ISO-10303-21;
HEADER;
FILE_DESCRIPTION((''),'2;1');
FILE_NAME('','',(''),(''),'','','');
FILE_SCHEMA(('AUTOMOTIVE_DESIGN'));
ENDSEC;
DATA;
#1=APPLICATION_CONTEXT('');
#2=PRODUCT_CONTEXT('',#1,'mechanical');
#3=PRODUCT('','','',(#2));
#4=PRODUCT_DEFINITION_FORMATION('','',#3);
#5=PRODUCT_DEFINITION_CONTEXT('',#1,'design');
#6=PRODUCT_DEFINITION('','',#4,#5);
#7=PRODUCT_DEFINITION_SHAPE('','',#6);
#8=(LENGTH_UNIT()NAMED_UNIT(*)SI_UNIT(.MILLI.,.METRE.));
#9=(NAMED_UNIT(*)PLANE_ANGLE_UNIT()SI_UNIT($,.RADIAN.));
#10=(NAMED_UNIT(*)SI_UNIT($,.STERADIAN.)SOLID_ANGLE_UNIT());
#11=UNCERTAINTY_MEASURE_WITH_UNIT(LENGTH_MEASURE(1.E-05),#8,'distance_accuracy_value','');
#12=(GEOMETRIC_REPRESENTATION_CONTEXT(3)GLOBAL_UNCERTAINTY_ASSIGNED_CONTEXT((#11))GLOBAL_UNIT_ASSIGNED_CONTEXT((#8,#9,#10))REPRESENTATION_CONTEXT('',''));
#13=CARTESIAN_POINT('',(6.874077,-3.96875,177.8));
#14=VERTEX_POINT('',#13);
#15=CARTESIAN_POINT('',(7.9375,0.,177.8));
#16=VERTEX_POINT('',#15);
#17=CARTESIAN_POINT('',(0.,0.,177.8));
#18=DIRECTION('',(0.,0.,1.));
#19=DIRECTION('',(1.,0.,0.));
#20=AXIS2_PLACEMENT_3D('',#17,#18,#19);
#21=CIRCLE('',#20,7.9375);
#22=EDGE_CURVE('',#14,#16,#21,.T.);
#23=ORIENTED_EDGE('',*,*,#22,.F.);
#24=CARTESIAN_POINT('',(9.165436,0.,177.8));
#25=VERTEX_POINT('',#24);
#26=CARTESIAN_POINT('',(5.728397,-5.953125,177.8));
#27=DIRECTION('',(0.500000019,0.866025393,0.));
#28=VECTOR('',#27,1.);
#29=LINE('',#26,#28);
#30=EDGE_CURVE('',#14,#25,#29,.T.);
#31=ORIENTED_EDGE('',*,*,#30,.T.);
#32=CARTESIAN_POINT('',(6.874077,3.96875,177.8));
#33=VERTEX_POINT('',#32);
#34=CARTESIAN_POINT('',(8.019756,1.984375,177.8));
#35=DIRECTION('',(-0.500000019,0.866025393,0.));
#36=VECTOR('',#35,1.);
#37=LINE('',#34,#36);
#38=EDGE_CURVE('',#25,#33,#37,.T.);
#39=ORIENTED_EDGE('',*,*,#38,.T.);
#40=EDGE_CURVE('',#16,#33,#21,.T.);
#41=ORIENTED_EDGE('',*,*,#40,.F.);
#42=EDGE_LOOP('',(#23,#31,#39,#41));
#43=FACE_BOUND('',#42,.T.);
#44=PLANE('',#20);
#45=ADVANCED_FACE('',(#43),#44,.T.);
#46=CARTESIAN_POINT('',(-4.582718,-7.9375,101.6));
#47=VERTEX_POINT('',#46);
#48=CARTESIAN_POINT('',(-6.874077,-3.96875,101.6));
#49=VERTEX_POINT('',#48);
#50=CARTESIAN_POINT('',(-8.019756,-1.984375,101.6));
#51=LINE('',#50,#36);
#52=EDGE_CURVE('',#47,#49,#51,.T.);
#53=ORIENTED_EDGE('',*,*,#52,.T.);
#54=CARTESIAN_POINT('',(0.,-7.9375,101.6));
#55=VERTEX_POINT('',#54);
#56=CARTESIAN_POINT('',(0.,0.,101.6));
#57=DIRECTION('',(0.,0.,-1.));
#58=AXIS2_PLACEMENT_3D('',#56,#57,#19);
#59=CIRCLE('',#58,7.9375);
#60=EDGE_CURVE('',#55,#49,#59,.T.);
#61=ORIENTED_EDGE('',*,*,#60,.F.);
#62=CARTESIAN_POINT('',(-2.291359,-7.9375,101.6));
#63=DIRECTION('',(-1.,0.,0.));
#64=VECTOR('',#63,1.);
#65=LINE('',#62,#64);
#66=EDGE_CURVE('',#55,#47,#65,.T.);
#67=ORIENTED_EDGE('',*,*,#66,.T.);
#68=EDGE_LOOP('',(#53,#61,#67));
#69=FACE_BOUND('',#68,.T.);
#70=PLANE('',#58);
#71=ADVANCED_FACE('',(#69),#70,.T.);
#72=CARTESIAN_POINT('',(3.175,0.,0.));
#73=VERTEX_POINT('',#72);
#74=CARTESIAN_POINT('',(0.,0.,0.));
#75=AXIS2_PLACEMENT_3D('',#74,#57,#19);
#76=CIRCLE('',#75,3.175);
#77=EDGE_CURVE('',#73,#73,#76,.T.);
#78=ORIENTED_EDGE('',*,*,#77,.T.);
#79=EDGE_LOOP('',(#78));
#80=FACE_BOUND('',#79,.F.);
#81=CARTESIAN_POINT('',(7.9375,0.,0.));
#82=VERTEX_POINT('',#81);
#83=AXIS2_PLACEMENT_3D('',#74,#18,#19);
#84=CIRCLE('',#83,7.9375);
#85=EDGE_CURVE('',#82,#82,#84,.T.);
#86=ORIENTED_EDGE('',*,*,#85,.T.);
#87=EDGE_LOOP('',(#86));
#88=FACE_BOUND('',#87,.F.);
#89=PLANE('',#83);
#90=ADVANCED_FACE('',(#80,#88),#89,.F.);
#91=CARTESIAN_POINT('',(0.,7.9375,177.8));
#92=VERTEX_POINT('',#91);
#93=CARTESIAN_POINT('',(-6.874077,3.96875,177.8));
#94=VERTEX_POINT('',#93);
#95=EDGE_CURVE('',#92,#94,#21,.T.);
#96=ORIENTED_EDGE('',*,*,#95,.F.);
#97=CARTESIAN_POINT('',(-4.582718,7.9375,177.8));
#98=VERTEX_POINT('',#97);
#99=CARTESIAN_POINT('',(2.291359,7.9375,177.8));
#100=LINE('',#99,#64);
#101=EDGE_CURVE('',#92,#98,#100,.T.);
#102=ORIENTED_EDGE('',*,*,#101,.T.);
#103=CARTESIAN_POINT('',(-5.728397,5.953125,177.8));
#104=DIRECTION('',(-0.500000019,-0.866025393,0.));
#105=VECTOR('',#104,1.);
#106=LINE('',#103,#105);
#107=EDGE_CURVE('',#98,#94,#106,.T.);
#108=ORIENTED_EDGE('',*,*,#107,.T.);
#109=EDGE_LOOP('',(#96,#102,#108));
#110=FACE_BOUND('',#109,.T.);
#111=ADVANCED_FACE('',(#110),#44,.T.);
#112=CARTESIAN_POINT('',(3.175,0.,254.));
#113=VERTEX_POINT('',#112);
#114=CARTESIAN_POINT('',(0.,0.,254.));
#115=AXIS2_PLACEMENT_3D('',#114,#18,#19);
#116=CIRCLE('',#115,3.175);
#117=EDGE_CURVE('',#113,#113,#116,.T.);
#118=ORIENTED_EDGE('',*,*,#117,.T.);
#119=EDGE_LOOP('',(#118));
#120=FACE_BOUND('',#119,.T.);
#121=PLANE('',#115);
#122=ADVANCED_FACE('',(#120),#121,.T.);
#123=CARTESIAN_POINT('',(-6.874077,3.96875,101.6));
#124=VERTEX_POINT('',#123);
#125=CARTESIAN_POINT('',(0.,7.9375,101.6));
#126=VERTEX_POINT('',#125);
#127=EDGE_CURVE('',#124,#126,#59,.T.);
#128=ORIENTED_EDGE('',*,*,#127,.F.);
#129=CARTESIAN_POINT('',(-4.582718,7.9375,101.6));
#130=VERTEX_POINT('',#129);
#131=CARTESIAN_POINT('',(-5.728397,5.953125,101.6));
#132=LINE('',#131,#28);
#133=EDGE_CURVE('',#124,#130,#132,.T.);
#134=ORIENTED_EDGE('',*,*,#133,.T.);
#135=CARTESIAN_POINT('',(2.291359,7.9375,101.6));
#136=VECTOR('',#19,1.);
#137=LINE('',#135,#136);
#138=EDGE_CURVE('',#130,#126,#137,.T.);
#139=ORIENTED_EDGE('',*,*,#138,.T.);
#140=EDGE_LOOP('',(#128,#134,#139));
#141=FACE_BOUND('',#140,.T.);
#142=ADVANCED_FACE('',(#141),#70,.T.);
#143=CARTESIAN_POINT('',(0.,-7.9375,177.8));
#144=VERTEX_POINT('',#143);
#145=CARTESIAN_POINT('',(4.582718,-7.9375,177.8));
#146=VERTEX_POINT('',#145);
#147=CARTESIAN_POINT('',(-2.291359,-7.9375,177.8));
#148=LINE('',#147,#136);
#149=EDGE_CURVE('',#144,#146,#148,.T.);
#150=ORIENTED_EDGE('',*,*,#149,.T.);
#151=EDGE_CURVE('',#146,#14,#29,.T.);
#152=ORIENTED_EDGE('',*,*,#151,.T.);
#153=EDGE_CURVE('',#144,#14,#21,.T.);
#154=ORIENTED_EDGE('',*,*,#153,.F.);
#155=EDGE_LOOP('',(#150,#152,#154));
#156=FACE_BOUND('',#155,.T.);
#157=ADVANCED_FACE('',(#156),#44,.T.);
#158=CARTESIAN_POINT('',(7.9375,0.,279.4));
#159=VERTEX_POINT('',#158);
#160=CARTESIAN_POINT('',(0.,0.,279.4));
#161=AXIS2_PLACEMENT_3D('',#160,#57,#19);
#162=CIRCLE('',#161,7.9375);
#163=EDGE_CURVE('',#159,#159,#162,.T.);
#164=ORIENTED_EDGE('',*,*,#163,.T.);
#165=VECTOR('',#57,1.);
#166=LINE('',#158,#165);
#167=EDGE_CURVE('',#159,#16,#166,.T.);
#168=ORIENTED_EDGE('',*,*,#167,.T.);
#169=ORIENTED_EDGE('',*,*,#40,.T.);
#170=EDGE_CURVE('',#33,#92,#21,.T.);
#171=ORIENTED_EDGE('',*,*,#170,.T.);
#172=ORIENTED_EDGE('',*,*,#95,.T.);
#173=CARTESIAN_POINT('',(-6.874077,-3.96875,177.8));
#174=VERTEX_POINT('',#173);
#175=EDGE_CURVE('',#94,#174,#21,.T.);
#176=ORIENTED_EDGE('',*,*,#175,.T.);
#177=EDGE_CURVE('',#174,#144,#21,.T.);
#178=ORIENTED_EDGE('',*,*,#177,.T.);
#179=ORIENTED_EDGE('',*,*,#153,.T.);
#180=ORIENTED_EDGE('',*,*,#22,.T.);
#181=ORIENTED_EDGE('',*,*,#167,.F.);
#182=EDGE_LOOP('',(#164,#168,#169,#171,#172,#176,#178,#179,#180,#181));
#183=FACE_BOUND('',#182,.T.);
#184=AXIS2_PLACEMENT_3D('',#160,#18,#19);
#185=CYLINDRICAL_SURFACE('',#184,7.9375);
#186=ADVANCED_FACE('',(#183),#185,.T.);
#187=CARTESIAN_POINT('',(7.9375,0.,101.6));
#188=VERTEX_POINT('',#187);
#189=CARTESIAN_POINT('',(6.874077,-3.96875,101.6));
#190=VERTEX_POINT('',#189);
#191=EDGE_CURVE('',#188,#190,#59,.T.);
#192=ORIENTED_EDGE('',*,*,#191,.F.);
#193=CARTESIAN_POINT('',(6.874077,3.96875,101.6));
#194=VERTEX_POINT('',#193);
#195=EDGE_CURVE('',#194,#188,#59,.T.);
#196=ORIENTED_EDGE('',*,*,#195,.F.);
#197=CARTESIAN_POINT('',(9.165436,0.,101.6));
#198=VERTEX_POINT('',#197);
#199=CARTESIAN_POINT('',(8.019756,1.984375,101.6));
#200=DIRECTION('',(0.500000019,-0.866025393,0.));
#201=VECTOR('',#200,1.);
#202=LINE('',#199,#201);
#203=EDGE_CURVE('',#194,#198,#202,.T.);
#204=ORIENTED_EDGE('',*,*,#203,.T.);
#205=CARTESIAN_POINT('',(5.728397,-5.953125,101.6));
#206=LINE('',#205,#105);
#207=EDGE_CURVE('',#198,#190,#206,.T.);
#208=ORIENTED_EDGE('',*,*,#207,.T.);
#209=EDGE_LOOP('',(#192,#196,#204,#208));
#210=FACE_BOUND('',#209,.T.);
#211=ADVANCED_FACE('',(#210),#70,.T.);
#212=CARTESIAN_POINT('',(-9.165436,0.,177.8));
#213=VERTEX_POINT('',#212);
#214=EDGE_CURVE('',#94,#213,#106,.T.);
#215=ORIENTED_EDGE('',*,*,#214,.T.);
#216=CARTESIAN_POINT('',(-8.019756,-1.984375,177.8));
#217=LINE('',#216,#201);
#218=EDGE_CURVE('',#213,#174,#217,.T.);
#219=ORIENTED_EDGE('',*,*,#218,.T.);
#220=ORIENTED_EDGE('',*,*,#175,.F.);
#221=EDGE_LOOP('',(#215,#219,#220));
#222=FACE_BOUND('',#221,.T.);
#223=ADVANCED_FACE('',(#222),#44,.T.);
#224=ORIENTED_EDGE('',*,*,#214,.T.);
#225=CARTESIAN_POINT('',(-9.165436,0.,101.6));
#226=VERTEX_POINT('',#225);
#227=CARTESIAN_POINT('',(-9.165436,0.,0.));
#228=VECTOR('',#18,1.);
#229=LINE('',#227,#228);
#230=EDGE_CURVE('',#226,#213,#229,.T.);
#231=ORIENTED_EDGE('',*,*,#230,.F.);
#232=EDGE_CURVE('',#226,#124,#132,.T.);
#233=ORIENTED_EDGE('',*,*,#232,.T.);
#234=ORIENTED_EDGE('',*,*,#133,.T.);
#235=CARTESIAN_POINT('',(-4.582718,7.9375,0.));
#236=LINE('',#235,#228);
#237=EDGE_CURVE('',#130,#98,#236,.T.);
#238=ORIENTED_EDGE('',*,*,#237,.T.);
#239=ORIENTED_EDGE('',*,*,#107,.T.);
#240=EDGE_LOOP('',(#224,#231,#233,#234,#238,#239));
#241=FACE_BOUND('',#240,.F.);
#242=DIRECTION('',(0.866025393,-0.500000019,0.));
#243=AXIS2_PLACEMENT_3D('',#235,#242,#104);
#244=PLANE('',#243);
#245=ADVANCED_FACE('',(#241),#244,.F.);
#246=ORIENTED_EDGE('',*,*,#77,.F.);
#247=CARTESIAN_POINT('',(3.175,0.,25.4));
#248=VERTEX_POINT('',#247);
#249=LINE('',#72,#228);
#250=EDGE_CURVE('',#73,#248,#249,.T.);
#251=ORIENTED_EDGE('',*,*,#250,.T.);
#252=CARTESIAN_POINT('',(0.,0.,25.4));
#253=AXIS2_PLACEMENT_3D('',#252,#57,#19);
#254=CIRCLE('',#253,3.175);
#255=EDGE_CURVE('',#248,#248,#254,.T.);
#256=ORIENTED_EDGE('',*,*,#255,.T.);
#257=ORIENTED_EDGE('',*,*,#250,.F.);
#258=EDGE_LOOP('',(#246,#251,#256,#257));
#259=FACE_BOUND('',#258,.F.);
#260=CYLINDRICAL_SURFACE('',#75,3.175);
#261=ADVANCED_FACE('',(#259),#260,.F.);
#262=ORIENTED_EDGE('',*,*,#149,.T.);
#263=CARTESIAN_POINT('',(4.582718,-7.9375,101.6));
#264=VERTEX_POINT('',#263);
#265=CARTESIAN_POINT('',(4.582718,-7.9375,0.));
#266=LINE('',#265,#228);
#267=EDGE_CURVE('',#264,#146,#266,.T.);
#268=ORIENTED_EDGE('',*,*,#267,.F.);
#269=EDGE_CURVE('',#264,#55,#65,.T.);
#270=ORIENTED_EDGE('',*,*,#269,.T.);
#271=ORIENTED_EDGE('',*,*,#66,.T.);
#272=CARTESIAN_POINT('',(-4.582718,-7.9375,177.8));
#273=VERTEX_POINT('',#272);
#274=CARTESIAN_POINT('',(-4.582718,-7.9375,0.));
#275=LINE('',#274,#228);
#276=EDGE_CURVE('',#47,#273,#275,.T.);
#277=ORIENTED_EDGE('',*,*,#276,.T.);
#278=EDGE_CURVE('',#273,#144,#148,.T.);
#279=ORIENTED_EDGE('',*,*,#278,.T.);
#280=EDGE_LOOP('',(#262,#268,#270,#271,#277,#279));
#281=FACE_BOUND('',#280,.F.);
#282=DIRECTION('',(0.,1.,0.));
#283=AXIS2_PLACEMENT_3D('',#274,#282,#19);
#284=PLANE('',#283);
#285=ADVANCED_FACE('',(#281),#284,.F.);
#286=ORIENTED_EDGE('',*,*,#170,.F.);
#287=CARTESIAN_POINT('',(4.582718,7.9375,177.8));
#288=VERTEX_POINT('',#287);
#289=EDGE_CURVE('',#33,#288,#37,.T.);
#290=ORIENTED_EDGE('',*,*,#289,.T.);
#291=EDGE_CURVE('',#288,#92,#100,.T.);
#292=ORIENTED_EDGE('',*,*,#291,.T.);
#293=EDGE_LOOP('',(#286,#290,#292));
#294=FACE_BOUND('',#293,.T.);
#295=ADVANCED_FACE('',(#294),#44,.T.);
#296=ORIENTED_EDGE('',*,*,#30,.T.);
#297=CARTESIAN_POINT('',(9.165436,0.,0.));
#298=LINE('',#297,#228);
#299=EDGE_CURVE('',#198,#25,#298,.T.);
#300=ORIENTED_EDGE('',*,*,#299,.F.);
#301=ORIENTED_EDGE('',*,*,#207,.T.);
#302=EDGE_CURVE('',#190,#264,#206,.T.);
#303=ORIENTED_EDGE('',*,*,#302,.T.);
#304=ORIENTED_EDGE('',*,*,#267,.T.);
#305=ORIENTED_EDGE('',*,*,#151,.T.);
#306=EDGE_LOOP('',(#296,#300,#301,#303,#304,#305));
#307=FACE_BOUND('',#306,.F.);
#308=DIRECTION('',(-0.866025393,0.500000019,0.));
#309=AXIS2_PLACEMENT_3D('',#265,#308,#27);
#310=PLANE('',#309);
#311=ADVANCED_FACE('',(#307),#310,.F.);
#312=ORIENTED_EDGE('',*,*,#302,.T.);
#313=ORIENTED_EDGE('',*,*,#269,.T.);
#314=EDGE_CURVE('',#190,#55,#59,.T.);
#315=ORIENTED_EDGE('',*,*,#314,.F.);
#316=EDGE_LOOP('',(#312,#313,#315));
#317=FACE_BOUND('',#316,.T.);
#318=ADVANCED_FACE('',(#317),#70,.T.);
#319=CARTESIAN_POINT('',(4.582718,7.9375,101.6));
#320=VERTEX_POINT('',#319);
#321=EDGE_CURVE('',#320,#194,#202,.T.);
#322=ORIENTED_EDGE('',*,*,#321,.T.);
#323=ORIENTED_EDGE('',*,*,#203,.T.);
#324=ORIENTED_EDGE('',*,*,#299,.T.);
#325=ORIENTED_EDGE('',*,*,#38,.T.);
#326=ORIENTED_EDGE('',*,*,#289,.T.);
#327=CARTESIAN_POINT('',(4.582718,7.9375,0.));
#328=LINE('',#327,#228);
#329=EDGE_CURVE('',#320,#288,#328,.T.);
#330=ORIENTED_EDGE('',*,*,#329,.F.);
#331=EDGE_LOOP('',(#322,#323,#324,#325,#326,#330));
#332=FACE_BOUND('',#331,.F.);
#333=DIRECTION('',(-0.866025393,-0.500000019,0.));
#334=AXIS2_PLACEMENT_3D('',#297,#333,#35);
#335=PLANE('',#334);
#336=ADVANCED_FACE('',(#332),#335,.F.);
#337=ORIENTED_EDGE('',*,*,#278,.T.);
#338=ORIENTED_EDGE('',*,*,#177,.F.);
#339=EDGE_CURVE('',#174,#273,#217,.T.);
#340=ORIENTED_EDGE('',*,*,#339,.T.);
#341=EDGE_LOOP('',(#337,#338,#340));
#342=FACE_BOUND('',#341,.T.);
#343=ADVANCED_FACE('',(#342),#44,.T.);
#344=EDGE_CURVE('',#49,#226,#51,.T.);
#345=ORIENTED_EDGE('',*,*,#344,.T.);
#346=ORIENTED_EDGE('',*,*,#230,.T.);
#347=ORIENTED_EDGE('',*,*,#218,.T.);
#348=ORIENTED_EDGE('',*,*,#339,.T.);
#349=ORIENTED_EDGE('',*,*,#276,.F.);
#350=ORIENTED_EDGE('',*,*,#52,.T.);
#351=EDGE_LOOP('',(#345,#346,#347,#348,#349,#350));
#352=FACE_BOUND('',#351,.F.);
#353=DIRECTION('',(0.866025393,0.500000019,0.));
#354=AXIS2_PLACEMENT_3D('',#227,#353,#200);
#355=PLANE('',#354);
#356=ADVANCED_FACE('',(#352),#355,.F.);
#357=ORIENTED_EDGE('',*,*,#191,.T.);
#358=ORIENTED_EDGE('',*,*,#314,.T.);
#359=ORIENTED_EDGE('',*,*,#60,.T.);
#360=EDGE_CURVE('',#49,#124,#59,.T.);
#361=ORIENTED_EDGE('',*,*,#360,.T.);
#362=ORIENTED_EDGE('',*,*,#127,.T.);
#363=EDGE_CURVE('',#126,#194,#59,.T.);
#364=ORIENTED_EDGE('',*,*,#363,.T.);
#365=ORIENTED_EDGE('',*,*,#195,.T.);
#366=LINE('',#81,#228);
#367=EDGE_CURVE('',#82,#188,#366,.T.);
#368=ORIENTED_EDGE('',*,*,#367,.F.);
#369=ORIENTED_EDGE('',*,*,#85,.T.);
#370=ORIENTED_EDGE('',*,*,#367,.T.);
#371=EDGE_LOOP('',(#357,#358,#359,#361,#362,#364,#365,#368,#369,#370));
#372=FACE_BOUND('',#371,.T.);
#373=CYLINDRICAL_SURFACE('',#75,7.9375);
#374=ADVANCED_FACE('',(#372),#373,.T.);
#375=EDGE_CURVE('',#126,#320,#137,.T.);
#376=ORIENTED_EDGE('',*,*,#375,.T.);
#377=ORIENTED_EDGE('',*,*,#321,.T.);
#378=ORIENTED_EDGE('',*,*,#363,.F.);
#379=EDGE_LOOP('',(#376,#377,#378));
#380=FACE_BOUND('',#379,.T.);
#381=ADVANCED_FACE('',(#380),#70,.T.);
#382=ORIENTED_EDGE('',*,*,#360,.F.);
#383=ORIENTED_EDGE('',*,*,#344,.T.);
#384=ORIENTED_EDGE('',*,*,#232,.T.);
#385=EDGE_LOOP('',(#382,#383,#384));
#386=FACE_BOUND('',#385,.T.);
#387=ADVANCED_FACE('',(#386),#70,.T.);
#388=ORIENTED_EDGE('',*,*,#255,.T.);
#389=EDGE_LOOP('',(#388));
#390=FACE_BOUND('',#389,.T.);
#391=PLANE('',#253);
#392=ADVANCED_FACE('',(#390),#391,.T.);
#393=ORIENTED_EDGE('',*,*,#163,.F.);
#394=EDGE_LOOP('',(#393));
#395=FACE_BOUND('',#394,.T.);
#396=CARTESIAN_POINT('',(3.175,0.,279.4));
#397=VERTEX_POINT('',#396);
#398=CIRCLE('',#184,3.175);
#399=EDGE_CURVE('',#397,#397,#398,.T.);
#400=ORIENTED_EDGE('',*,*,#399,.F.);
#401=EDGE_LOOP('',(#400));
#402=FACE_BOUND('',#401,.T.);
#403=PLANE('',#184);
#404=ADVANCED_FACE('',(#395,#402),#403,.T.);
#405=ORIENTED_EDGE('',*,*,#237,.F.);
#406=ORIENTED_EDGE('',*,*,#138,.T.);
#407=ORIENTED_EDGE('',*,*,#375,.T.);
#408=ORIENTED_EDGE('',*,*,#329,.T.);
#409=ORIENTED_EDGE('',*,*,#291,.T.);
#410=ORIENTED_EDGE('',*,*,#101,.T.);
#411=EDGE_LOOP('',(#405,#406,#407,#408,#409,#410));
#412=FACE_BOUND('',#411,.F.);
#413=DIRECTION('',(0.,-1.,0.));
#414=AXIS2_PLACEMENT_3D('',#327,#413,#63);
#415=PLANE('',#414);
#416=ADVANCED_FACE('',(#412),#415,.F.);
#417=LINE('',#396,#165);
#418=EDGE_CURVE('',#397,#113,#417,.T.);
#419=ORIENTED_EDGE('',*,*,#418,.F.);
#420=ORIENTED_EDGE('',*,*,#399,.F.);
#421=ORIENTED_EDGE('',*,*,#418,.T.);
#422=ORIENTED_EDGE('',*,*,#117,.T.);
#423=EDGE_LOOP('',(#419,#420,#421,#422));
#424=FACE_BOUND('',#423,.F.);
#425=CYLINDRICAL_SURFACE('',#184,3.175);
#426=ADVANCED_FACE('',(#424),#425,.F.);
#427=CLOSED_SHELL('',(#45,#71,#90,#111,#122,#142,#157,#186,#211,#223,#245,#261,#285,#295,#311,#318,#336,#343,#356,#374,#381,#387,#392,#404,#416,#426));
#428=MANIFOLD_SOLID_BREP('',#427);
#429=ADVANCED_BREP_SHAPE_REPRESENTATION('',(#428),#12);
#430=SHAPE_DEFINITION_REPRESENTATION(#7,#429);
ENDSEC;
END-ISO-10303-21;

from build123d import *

# Parameters (mm, degrees)
F1_DEPTH = 279.4
F2_R     = 9.165436
F2_R_2   = 7.9375
F3_DEPTH = 101.6
F4_R     = 9.165436
F4_R_2   = 7.9375
F5_DEPTH = 101.6
F6_R     = 3.175
F7_DEPTH = 25.4
F8_R     = 3.175
F9_DEPTH = 25.4


with BuildPart() as f1:
    # F0 (on Top) → F1 (new body)
    with BuildSketch(Plane.XY):
        Polygon((-4.582718, 7.9375), (-9.165436, 0), (-4.582718, -7.9375), (4.582718, -7.9375), (9.165436, 0), (4.582718, 7.9375), align=None)
    extrude(amount=F1_DEPTH)

    # F2 (on face) → F3 (cut)
    with BuildSketch(Plane.XY.offset(279.4)):
        Circle(F2_R)
        Circle(F2_R_2, mode=Mode.SUBTRACT)
    extrude(amount=-F3_DEPTH, mode=Mode.SUBTRACT)

    # F4 (on face) → F5 (cut)
    with BuildSketch(Plane(origin=(0, 0, 0), x_dir=(1, 0, 0), z_dir=(0, 0, -1))):
        Circle(F4_R)
        Circle(F4_R_2, mode=Mode.SUBTRACT)
    extrude(amount=-F5_DEPTH, mode=Mode.SUBTRACT)

    # F6 (on face) → F7 (cut)
    with BuildSketch(Plane(origin=(0, 0, 0), x_dir=(1, 0, 0), z_dir=(0, 0, -1))):
        Circle(F6_R)
    extrude(amount=-F7_DEPTH, mode=Mode.SUBTRACT)

    # F8 (on face) → F9 (cut)
    with BuildSketch(Plane.XY.offset(279.4)):
        Circle(F8_R)
    extrude(amount=-F9_DEPTH, mode=Mode.SUBTRACT)


solid = f1.part
